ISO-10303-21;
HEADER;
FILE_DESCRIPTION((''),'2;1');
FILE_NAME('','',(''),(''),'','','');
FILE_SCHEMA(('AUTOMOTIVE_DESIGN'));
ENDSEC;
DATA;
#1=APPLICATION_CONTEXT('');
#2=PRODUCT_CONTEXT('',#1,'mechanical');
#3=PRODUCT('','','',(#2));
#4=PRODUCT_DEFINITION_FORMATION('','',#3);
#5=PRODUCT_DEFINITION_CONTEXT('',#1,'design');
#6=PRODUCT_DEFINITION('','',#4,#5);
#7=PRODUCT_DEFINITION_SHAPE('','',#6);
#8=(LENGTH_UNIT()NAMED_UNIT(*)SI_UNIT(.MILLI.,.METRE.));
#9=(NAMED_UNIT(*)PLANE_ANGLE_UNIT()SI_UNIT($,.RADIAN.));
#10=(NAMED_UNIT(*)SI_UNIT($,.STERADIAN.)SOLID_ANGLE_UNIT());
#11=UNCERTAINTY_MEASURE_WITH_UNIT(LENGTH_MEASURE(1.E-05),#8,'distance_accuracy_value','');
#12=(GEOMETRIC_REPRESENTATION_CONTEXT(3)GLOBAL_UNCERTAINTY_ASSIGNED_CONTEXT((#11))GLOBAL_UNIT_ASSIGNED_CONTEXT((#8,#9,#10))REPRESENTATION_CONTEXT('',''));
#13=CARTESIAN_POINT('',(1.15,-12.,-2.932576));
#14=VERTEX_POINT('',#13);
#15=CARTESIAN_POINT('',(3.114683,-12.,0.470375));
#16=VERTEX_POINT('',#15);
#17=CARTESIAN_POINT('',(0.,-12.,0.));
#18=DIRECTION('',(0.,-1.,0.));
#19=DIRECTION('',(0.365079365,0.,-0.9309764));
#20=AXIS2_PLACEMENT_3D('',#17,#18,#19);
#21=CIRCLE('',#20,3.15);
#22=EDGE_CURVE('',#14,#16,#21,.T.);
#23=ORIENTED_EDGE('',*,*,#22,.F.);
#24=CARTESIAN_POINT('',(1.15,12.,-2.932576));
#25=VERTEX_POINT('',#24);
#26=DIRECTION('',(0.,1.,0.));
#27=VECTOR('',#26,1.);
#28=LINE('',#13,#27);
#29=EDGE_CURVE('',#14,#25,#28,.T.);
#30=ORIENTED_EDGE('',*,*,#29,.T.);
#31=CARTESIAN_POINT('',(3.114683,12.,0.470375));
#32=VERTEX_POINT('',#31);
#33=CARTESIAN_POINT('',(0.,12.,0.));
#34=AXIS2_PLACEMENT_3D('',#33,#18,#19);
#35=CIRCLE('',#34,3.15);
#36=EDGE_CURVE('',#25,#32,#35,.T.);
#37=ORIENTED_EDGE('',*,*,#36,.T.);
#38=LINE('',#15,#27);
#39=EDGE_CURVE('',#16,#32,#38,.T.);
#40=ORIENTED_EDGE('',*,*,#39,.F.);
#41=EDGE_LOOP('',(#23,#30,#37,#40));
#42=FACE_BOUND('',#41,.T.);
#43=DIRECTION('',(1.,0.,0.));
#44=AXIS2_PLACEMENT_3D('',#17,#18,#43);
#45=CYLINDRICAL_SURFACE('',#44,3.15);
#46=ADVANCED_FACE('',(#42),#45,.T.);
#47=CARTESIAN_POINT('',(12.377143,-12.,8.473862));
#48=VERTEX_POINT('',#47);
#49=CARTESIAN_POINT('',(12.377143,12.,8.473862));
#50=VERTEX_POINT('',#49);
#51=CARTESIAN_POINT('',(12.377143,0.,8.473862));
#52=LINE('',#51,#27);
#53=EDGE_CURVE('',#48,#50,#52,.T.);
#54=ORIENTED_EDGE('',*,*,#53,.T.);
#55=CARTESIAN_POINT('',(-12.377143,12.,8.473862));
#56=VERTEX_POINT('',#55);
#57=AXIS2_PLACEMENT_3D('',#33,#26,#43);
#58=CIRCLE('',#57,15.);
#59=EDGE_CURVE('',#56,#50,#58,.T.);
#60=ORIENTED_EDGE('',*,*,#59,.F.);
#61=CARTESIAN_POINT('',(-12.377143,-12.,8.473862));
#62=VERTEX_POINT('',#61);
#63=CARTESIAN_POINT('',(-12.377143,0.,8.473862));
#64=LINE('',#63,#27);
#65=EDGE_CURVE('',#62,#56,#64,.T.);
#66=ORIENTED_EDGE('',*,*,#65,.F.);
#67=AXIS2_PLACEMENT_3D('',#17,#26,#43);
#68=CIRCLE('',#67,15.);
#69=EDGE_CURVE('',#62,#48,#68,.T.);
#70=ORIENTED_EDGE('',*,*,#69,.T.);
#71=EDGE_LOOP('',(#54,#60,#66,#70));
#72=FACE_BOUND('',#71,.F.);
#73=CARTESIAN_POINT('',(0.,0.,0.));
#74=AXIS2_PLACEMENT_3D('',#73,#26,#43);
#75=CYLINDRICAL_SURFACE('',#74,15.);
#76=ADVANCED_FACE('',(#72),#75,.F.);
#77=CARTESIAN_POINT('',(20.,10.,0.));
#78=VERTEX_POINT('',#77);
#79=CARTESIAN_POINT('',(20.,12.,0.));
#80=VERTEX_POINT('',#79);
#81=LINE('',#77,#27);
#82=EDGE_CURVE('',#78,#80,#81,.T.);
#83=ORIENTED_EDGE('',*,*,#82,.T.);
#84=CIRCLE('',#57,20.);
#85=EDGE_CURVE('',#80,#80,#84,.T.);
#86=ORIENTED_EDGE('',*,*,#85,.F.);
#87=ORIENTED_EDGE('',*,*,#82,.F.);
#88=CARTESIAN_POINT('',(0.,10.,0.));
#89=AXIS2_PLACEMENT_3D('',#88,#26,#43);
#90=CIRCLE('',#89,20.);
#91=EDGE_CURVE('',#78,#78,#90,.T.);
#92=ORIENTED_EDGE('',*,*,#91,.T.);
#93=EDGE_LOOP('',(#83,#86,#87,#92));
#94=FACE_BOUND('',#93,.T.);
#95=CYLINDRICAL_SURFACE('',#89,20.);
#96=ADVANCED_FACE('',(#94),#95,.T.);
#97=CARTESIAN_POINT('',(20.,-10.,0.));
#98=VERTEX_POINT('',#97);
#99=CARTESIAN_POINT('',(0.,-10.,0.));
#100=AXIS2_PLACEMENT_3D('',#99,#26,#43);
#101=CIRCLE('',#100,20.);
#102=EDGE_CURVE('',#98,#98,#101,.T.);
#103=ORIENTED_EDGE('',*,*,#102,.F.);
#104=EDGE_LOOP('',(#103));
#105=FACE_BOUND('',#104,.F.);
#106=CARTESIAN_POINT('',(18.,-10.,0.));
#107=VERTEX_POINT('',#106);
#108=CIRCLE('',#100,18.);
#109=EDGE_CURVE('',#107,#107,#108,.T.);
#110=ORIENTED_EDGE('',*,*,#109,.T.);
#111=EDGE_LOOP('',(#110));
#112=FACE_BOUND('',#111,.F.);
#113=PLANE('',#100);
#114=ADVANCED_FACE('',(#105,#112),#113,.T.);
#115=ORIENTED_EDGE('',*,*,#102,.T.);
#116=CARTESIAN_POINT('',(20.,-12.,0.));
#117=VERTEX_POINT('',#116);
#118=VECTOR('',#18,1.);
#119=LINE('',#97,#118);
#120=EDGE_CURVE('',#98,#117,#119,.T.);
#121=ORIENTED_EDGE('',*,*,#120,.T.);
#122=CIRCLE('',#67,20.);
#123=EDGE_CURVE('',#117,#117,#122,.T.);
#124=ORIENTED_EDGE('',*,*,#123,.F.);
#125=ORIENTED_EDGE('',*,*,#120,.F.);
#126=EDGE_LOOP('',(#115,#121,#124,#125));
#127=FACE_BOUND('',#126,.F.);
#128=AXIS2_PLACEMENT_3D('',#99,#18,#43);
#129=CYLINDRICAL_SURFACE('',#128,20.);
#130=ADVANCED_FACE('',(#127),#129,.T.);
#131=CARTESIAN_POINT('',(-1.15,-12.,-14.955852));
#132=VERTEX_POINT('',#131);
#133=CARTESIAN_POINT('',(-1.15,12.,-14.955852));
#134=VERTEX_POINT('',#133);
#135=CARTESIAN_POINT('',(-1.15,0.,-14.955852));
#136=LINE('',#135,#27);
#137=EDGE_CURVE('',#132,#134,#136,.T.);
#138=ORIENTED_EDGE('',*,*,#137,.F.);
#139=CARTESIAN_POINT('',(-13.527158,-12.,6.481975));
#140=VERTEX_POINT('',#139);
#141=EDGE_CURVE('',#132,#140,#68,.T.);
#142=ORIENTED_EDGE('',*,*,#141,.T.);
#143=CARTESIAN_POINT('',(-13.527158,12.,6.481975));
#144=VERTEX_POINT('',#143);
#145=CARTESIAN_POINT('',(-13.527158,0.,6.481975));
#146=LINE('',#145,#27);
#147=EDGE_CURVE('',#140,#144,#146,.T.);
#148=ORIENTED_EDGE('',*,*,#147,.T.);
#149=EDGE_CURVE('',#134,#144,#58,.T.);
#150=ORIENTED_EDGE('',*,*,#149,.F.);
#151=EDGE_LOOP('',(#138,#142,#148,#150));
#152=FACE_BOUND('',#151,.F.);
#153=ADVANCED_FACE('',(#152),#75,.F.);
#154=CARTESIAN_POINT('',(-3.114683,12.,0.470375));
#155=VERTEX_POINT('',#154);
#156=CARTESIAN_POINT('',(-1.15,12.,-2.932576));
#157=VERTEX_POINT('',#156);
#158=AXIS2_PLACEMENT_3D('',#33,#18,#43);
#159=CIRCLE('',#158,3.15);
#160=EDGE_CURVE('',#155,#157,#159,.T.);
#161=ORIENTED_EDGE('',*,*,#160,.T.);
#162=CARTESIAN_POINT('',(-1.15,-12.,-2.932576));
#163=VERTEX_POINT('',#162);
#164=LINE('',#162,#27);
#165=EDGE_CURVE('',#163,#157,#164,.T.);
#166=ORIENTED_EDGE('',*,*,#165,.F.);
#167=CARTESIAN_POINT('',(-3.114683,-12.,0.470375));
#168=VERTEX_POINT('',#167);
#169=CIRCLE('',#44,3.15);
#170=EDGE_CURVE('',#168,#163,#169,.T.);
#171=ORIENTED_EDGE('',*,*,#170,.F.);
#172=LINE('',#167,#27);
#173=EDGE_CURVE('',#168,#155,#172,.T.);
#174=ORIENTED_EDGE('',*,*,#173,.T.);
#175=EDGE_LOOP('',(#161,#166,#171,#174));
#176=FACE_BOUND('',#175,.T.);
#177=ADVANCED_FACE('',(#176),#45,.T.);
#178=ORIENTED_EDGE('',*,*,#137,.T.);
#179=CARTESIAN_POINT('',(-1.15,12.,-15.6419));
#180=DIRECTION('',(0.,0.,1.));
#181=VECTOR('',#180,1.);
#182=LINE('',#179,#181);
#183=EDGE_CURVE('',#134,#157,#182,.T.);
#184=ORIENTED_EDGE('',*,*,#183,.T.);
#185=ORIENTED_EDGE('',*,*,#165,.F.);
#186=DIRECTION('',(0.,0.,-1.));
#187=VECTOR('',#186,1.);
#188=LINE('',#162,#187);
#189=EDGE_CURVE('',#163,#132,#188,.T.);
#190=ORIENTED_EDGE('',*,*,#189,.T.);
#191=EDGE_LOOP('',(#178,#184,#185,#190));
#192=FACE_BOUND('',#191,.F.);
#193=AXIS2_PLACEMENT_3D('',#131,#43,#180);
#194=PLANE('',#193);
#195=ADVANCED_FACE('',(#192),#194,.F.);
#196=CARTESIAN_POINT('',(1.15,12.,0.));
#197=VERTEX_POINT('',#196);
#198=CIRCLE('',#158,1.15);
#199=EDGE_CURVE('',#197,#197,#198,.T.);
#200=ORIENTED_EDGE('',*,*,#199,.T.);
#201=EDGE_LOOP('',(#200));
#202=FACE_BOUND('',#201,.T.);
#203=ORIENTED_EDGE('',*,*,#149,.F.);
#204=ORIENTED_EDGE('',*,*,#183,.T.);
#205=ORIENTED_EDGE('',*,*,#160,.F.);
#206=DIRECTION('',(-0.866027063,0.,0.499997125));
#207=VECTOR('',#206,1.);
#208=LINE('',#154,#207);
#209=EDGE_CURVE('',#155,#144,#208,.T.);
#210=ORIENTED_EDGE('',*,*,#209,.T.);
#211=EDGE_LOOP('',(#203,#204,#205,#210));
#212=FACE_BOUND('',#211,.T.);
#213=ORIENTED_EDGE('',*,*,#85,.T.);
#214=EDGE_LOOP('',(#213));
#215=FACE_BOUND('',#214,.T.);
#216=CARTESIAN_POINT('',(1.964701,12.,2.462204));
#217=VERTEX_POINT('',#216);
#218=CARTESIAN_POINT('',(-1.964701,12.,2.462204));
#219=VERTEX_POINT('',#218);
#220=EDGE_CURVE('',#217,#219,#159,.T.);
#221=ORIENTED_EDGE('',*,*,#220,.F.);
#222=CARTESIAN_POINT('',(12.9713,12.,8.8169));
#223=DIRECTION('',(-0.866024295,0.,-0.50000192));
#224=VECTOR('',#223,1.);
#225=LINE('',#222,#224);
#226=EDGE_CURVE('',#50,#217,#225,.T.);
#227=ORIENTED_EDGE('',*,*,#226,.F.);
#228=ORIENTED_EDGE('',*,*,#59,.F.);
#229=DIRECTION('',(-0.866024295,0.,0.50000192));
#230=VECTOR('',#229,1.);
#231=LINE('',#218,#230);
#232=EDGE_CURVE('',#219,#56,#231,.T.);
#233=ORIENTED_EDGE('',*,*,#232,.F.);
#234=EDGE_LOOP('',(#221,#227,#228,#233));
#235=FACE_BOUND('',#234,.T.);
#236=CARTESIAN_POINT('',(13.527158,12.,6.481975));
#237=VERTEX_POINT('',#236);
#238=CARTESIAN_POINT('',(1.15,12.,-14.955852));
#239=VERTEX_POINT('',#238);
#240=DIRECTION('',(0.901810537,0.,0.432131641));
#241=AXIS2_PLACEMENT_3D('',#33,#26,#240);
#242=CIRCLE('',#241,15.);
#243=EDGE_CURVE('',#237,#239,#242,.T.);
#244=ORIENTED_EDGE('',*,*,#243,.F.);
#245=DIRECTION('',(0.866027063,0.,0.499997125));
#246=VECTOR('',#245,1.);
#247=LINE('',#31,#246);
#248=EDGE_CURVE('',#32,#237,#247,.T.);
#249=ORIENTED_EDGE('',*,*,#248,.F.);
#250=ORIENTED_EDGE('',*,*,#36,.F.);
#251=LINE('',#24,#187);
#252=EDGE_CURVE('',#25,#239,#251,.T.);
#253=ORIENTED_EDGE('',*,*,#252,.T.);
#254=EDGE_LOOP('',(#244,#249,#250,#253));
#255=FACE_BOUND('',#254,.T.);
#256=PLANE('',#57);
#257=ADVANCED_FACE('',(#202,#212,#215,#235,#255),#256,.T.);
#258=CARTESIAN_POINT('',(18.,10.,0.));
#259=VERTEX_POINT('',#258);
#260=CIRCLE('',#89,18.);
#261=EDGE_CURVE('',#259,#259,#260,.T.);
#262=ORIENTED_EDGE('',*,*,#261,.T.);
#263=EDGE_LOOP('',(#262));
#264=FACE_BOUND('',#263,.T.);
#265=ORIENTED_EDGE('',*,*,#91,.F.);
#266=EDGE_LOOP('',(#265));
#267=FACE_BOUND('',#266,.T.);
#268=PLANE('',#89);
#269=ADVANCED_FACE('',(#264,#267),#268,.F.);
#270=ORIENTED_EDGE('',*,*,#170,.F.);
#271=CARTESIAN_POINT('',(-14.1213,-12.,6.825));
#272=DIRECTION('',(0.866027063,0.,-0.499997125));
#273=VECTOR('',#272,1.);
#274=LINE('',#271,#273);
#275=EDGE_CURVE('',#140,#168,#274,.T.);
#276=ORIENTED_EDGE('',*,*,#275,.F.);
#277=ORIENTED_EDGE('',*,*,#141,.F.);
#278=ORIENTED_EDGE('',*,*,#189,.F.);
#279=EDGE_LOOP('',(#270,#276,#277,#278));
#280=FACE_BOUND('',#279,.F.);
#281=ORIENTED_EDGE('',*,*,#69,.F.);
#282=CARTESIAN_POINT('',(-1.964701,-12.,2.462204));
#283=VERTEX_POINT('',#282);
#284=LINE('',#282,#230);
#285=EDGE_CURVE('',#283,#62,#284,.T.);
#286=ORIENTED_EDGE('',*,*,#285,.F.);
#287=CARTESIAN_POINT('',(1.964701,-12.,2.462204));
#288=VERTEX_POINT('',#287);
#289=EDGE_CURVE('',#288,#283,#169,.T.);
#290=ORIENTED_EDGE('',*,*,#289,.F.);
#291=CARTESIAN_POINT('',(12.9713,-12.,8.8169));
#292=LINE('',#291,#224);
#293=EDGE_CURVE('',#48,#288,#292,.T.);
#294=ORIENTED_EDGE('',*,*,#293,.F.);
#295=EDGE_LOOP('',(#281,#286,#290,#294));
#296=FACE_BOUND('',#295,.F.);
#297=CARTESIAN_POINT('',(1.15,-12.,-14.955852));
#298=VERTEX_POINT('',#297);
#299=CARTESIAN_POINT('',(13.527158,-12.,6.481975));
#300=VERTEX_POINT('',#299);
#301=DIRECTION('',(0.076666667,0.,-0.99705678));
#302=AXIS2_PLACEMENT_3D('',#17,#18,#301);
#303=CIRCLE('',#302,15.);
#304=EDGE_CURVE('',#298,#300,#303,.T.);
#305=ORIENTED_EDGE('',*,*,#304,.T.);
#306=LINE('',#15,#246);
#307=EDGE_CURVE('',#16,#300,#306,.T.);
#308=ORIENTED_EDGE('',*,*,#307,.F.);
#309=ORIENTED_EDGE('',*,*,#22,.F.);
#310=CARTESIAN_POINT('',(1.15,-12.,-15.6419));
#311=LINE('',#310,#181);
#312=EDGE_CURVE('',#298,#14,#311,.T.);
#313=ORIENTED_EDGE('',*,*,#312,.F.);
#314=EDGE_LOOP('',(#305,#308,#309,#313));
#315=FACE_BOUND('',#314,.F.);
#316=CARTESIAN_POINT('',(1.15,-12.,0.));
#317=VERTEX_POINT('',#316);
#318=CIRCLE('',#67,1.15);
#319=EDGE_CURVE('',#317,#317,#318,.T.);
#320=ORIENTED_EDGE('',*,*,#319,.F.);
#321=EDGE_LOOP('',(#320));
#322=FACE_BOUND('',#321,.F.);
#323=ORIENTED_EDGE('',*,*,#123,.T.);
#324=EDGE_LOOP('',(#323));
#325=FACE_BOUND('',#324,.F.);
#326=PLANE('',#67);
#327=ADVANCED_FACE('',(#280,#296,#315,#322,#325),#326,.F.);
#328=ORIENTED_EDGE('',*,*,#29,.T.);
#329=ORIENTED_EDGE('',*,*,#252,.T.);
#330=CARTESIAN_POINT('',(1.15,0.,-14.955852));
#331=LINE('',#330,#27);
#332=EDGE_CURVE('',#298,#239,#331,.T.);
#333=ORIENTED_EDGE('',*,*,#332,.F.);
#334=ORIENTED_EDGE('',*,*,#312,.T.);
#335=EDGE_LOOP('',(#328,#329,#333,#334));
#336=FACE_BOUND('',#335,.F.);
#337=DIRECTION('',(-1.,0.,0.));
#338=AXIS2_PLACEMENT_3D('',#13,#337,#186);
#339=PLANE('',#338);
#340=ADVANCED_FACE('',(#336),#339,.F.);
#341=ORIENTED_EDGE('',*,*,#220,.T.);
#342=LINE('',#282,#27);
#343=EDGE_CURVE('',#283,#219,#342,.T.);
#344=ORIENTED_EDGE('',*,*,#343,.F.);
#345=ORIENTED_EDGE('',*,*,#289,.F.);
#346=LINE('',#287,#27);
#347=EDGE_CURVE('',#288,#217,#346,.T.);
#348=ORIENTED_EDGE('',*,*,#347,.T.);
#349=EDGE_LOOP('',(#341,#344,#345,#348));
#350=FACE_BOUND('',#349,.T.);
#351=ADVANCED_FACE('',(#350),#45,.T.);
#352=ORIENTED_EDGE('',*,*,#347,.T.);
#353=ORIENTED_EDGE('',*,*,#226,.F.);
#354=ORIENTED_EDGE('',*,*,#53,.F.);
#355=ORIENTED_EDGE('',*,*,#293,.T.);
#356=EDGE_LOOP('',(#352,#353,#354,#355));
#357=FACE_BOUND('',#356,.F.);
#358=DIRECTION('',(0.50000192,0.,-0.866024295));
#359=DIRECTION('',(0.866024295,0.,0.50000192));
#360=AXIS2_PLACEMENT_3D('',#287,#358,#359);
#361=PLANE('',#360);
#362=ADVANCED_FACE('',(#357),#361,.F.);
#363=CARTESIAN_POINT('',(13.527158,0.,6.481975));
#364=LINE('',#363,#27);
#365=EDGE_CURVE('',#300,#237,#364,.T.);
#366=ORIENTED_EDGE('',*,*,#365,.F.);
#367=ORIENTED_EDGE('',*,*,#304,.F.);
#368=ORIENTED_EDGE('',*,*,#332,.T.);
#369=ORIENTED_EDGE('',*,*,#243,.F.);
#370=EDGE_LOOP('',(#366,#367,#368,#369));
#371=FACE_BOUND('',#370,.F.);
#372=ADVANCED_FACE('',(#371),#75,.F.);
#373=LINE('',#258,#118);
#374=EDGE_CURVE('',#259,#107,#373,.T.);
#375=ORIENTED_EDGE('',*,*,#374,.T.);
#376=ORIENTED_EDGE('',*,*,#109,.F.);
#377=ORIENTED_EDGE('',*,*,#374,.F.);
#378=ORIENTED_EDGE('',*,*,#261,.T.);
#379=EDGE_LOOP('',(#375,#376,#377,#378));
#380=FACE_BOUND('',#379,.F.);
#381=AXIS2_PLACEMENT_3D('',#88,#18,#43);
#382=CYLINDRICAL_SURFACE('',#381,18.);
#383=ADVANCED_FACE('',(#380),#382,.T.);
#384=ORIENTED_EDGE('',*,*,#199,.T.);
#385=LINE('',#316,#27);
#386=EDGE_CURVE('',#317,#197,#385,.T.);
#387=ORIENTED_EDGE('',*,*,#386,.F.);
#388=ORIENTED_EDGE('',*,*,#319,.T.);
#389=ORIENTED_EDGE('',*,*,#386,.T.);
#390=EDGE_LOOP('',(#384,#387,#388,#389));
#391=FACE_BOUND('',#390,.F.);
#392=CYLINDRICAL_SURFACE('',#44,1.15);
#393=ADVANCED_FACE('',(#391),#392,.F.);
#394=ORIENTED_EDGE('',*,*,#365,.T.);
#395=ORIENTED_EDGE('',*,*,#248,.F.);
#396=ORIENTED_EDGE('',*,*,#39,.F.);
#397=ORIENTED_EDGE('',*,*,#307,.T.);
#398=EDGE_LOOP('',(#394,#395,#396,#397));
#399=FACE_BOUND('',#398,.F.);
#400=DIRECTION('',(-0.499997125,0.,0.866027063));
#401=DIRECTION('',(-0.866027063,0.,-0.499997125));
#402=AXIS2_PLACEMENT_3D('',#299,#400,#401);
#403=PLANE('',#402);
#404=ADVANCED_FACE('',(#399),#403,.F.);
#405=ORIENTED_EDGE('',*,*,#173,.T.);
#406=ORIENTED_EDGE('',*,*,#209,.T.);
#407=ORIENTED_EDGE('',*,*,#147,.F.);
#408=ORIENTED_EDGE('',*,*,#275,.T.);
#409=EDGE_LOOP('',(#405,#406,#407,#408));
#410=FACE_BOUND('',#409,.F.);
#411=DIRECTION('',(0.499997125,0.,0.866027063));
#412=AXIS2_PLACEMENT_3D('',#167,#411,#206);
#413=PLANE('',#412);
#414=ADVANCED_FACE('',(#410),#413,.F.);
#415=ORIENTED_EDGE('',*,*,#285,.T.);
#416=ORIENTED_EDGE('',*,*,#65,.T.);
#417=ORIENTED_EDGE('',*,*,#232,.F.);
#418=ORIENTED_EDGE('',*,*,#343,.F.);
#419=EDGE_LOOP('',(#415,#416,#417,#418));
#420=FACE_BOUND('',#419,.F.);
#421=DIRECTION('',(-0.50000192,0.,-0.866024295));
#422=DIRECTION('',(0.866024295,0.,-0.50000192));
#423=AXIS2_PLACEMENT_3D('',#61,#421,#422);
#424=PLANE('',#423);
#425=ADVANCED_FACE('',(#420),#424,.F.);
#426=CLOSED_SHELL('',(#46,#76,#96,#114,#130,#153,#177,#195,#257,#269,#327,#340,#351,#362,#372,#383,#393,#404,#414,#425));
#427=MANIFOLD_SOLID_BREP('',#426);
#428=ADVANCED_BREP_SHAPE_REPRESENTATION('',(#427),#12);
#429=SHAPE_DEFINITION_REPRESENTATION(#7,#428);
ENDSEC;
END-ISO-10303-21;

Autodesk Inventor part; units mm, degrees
ref_plane "YZ Plane" through (0, 0, 0) normal (1, 0, 0) x (0, 1, 0)
ref_plane "XZ Plane" through (0, 0, 0) normal (0, 1, 0) x (-1, 0, 0)
ref_plane "XY Plane" through (0, 0, 0) normal (0, 0, 1) x (1, 0, 0)
sketch "Эскиз1" plane through (0, 0, 0) normal (0, 0, 1) x (1, 0, 0)
  line L0 (0, 0) -> (15, 0)
  line L1 (15, 0) -> (15, 10)
  line L2 (15, 10) -> (15, -10)
  line L3 (15, 10) -> (18, 10)
  line L4 (18, 10) -> (18, -10)
  line L5 (18, -10) -> (15, -10)
  line L6 (15, -10) -> (15, 10)
  line L7 (15, 10) -> (20, 10)
  line L8 (20, 10) -> (20, 12)
  line L9 (20, 12) -> (15, 12)
  line L10 (15, 12) -> (15, 10)
  line L11 (15, -10) -> (20, -10)
  line L12 (20, -10) -> (20, -12)
  line L13 (20, -12) -> (15, -12)
  line L14 (15, -12) -> (15, -10)
  line L15 (0, 0) -> (0, 10)
  dimension "d0" = 15
  dimension "d1" = 10
  dimension "d2" = 20
  dimension "d3" = 3
  dimension "d4" = 5
  dimension "d5" = 2
  dimension "d6" = 5
  dimension "d7" = 2
revolve "Вращение1" add sketch "Эскиз1" angle 360 about axis through (0, 0, 0) along (0, 1, 0)
sketch "Эскиз2" plane through (0, -12, 0) normal (0, -1, 0) x (1, 0, 0)
  circle A0 centre (0, 0) radius 1.15
  circle A1 centre (0, 0) radius 3.15
  circle A2 centre (0, 0) radius 15 projected
  line L0 (-1.15, 0) -> (1.15, 0)
  line L1 (1.15, 0) -> (1.15, -15.6419)
  line L2 (1.15, -15.6419) -> (-1.15, -15.6419)
  line L3 (-1.15, -15.6419) -> (-1.15, 0)
  line L4 (14.1213, 6.825) -> (0.575, -0.9959)
  line L5 (-0.575, 0.9959) -> (12.9713, 8.8169)
  line L6 (12.9713, 8.8169) -> (14.1213, 6.825)
  line L7 (0.575, -0.9959) -> (-0.575, 0.9959)
  line L8 (-12.9713, 8.8169) -> (0.575, 0.9959)
  line L9 (-0.575, -0.9959) -> (-14.1213, 6.825)
  line L10 (-14.1213, 6.825) -> (-12.9713, 8.8169)
  line L11 (0.575, 0.9959) -> (-0.575, -0.9959)
  dimension "d9" = 2.3
  dimension "d10" = 2
  dimension "d13" = 360
extrude "Выдавливание1" add sketch "Эскиз2" against normal up to surface (24 mm away) contours L0 L11 A0 | L1 L4 A0 | A0 L7 L0 | A0 L8 L5 A1 L4 L1 | L11 L7 A0 | A0 L5 L8 | L4 L1 A1 L3 L9 A0 | A0 L11 L7 | L11 A0 L0 | L0 A0 L7 | L4 A1 L1 | A0 L3 L9 A1 L8 L5 | L8 A1 L5 | L9 L3 A0 | L1 A2 L3 A1 | A1 L5 A2 L4 | A1 L9 A2 L8 | L3 A1 L9 | L1 L2 L3 A2 | A2 L5 L6 L4 | A2 L9 L10 L8
extrude "Выдавливание2" cut sketch "Эскиз2" against normal up to surface (24 mm away) contours L0 L11 A0 | A0 L7 L0 | L11 L7 A0 | A0 L11 L7 | L11 A0 L0 | L0 A0 L7
properties part number "Wheel down"
